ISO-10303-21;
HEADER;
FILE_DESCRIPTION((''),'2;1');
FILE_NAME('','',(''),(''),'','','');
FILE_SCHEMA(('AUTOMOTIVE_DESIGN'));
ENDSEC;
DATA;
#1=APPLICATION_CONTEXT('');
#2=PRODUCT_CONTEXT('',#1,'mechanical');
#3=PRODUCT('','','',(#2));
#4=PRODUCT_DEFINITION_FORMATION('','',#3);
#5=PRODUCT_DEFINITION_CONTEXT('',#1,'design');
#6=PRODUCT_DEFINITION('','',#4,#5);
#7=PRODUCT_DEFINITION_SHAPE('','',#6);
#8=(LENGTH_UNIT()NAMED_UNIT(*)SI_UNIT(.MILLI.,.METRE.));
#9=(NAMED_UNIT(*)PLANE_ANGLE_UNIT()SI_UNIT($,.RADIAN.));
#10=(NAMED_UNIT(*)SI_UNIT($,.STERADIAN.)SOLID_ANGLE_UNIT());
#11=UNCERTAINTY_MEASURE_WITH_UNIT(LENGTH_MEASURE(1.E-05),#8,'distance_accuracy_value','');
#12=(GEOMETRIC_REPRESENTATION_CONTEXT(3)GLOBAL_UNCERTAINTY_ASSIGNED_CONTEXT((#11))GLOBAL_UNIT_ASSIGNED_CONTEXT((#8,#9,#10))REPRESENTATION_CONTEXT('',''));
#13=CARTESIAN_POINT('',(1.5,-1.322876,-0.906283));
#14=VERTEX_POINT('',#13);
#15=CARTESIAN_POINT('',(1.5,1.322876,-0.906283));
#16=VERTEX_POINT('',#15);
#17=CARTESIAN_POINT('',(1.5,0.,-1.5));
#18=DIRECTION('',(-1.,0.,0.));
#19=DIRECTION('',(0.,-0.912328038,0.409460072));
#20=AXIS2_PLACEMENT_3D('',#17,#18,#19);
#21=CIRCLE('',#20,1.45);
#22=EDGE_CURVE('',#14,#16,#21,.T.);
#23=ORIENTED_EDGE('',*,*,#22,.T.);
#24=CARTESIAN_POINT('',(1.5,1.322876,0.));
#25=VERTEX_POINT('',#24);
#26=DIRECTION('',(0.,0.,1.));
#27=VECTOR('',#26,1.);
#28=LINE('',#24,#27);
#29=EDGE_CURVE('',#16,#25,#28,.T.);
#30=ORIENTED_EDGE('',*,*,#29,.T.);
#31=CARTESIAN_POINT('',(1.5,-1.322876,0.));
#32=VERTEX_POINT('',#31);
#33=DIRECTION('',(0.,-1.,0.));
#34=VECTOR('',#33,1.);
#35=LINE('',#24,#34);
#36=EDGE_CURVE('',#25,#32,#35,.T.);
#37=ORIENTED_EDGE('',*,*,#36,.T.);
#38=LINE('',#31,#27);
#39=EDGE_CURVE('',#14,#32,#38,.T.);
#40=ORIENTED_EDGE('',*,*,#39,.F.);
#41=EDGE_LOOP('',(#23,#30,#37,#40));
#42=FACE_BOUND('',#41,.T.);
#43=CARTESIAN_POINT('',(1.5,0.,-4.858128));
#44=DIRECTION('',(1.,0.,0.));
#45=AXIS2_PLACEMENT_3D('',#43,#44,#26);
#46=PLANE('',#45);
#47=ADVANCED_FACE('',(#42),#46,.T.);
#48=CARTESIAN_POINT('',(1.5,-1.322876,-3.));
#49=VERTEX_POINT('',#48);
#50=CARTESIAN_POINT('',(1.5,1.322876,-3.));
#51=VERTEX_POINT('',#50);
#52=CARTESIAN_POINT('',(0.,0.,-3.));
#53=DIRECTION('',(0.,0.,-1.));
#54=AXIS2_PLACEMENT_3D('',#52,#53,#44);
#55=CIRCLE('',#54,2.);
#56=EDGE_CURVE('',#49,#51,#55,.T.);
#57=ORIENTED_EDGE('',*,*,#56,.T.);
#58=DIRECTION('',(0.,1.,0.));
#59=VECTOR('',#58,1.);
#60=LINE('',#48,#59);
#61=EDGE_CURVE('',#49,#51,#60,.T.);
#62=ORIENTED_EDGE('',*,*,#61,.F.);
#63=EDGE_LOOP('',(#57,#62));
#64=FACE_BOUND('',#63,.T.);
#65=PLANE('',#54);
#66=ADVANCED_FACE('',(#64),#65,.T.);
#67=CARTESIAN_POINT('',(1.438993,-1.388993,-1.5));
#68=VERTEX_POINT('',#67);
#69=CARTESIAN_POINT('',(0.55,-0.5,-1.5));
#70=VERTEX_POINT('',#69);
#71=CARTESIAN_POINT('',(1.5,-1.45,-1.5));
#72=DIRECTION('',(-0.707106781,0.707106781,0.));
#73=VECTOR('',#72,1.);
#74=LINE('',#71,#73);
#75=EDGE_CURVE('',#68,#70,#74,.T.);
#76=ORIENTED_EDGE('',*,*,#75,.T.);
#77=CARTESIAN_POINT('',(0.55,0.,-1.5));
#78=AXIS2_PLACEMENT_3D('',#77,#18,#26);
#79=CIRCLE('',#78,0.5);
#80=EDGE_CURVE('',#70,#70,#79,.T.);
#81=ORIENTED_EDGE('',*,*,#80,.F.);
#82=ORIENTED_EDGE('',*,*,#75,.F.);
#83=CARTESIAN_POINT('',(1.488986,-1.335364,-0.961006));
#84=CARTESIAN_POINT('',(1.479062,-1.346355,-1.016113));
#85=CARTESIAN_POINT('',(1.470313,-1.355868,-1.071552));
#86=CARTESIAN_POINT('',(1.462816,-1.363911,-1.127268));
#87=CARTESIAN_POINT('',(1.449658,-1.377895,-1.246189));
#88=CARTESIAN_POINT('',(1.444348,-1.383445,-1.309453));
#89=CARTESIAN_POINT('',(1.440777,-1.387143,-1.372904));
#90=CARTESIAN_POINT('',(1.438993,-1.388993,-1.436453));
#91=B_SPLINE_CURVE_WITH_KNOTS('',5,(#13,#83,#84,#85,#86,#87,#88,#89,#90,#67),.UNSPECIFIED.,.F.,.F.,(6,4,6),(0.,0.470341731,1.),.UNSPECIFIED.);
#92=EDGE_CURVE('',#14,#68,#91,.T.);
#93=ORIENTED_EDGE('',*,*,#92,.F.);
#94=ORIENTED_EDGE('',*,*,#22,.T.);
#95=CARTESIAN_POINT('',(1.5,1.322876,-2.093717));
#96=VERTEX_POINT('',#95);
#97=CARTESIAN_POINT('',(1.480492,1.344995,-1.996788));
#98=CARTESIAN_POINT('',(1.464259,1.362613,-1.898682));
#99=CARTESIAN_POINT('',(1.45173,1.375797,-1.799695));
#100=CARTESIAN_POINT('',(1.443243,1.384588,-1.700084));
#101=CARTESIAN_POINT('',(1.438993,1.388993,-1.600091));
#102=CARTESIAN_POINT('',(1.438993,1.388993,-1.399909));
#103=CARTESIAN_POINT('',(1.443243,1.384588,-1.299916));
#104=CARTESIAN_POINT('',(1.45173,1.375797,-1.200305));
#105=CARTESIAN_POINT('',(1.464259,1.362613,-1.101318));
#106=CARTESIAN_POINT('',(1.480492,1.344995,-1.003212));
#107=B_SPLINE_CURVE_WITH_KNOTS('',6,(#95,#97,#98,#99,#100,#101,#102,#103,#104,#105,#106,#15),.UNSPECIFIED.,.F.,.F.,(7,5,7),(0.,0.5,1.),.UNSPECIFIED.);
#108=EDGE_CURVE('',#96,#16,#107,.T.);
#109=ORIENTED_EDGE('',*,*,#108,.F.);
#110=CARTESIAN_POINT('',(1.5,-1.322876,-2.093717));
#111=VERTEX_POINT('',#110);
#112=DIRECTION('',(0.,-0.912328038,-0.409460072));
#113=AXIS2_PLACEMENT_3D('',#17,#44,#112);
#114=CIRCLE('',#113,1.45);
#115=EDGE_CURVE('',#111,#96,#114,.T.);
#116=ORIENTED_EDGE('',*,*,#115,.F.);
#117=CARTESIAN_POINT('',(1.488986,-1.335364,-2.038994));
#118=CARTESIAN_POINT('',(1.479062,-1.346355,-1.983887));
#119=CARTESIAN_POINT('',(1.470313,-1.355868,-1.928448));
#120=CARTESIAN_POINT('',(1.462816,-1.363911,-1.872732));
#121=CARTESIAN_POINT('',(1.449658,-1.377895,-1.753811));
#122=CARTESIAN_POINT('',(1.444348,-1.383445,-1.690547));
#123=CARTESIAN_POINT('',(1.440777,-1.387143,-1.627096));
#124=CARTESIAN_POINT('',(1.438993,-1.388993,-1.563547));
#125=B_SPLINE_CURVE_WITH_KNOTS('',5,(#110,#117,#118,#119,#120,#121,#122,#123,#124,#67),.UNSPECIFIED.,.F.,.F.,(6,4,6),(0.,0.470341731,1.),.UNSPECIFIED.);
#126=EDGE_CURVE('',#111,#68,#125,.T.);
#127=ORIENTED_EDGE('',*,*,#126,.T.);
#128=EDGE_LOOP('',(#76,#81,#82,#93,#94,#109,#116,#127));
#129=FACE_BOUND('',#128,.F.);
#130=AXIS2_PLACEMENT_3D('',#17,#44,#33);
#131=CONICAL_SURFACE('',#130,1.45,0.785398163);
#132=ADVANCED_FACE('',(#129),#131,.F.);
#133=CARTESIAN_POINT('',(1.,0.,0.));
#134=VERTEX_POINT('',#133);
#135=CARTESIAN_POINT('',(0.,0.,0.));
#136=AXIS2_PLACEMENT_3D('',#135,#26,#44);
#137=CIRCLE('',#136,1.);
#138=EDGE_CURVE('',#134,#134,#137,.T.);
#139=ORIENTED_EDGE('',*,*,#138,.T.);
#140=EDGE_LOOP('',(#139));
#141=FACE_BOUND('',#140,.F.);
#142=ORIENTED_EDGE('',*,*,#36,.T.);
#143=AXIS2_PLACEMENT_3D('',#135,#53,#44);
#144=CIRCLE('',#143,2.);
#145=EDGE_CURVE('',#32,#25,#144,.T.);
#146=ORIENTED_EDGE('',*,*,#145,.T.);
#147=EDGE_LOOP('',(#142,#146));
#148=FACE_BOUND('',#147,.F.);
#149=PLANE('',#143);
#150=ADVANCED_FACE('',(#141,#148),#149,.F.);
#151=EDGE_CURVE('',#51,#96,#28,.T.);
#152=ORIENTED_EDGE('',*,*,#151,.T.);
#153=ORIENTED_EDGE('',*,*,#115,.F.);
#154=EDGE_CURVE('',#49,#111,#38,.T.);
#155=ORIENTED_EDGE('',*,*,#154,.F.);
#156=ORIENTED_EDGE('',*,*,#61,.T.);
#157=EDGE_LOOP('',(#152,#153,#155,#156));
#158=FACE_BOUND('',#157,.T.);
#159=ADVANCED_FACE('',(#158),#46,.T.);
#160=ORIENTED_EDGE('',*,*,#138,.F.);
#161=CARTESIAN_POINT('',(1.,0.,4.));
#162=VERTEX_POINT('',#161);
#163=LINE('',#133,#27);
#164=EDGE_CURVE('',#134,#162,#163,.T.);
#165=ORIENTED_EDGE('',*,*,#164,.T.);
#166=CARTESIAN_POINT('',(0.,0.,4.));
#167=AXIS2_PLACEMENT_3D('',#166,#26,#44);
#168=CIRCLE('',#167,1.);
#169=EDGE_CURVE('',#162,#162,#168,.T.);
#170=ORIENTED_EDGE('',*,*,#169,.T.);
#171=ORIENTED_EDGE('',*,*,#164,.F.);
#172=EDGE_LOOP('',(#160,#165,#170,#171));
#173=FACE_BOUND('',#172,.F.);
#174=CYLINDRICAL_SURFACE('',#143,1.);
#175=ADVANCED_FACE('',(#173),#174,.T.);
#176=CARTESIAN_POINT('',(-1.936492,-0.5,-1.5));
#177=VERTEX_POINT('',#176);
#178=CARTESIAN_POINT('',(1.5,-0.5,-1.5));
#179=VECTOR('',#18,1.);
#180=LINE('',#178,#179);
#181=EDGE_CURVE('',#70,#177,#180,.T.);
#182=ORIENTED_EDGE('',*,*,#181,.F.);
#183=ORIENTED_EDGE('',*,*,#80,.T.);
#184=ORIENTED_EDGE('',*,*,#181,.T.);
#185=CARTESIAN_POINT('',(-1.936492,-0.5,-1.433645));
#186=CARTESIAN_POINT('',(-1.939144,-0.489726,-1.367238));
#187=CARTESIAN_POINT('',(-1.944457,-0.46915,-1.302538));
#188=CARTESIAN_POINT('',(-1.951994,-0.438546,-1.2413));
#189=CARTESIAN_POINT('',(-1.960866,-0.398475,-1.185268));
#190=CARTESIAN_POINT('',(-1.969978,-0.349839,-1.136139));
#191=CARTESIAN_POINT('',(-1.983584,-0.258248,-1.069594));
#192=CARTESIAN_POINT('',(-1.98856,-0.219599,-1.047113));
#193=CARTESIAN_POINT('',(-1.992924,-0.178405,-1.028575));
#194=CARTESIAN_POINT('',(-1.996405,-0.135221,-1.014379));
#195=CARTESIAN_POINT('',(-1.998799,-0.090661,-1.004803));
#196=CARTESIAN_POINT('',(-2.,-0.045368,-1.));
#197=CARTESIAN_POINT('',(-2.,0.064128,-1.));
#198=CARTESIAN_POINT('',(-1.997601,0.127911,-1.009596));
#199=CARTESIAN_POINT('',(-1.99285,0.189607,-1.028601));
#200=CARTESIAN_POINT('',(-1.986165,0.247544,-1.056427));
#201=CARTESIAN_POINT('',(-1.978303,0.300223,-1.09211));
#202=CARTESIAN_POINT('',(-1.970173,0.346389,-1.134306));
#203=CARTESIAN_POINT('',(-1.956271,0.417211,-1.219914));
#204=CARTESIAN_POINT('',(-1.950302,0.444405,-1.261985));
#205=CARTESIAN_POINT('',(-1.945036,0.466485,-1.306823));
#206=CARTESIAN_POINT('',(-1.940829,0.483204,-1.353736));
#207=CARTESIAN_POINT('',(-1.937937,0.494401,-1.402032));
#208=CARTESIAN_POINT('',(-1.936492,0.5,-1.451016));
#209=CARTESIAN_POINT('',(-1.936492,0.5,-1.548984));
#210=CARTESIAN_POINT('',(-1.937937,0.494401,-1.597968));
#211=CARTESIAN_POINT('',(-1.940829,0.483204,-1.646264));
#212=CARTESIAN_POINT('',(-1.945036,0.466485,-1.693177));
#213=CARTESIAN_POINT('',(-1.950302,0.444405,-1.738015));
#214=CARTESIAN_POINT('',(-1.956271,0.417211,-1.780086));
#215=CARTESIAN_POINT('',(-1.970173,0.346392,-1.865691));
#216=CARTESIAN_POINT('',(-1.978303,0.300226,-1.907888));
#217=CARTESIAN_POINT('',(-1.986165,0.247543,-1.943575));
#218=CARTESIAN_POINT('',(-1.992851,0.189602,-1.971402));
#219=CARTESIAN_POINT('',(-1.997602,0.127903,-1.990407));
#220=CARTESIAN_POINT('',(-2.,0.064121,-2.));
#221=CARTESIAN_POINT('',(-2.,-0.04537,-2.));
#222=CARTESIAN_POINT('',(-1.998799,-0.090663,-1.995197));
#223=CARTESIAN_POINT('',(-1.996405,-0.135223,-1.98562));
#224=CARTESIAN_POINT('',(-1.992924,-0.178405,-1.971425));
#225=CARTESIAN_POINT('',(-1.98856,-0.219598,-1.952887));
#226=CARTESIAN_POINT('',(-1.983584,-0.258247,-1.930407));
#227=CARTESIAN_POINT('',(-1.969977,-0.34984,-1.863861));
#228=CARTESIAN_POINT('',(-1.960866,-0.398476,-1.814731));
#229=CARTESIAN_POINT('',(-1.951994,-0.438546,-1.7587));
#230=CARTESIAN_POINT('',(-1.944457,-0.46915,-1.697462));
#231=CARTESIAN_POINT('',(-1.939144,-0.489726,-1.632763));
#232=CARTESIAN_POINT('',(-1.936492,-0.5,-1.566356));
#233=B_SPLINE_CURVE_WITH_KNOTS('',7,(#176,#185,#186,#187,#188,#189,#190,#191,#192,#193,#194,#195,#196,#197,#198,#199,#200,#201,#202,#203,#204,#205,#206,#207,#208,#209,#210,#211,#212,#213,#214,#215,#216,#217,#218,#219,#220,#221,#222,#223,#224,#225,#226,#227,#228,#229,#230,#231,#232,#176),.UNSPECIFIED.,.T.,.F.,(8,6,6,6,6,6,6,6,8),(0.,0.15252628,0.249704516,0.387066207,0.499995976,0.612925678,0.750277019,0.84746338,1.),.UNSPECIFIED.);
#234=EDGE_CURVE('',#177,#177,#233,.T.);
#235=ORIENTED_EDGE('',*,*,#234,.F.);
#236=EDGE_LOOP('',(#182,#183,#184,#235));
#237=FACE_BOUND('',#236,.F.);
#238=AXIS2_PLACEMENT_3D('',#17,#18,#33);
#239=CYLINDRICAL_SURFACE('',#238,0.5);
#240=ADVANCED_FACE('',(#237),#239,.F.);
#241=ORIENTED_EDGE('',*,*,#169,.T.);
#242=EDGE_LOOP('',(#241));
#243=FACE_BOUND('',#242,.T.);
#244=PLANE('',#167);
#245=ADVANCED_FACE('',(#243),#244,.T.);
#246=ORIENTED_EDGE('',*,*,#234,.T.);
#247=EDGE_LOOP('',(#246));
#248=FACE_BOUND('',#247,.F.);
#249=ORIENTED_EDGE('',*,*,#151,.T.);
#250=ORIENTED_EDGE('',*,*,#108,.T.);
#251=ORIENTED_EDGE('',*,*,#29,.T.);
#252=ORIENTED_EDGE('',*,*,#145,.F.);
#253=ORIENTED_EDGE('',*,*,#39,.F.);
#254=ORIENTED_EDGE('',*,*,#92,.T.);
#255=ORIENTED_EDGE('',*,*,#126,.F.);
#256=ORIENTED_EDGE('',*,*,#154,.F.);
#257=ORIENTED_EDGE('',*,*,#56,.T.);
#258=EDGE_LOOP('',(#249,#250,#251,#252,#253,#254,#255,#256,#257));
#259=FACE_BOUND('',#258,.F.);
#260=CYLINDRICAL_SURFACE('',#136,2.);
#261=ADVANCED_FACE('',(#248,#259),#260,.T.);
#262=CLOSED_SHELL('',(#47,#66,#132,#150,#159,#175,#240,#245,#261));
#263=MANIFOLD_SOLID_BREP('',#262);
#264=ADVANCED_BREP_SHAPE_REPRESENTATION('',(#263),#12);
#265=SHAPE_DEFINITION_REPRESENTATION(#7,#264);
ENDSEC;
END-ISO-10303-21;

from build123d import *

# Parameters (mm, degrees)
F0_R           = 1
F1_DEPTH       = 4
F2_R           = 2
F3_DEPTH       = 3
F6_D           = 1
F6_CSINK_D     = 2.9
F6_CSINK_ANGLE = 90
F7_W           = 3.740538
F7_H           = 4.958128
F8_DEPTH       = 25
F8_DEPTH_BACK  = 25


with BuildPart() as f1:
    # F0 (on Top) → F1 (new body)
    with BuildSketch(Plane.XY):
        Circle(F0_R)
    extrude(amount=F1_DEPTH)

    # F2 (on face) → F3 (join)
    with BuildSketch(Plane(origin=(0, 0, 0), x_dir=(1, 0, 0), z_dir=(0, 0, -1))):
        Circle(F2_R)
    extrude(amount=F3_DEPTH)

    # F6 (through all)
    with Locations(Plane.YZ.offset(1.5)):
        with Locations((0, -1.5)):
            CounterSinkHole(F6_D / 2, F6_CSINK_D / 2, counter_sink_angle=F6_CSINK_ANGLE)

    # F7 (on Front) → F8 (cut, two sides)
    with BuildSketch(Plane.XZ) as f8_sk:
        with Locations((3.370269, -2.379064)):
            Rectangle(F7_W, F7_H)
    extrude(amount=F8_DEPTH, mode=Mode.SUBTRACT)
    extrude(f8_sk.sketch, amount=-F8_DEPTH_BACK, mode=Mode.SUBTRACT)


solid = f1.part
